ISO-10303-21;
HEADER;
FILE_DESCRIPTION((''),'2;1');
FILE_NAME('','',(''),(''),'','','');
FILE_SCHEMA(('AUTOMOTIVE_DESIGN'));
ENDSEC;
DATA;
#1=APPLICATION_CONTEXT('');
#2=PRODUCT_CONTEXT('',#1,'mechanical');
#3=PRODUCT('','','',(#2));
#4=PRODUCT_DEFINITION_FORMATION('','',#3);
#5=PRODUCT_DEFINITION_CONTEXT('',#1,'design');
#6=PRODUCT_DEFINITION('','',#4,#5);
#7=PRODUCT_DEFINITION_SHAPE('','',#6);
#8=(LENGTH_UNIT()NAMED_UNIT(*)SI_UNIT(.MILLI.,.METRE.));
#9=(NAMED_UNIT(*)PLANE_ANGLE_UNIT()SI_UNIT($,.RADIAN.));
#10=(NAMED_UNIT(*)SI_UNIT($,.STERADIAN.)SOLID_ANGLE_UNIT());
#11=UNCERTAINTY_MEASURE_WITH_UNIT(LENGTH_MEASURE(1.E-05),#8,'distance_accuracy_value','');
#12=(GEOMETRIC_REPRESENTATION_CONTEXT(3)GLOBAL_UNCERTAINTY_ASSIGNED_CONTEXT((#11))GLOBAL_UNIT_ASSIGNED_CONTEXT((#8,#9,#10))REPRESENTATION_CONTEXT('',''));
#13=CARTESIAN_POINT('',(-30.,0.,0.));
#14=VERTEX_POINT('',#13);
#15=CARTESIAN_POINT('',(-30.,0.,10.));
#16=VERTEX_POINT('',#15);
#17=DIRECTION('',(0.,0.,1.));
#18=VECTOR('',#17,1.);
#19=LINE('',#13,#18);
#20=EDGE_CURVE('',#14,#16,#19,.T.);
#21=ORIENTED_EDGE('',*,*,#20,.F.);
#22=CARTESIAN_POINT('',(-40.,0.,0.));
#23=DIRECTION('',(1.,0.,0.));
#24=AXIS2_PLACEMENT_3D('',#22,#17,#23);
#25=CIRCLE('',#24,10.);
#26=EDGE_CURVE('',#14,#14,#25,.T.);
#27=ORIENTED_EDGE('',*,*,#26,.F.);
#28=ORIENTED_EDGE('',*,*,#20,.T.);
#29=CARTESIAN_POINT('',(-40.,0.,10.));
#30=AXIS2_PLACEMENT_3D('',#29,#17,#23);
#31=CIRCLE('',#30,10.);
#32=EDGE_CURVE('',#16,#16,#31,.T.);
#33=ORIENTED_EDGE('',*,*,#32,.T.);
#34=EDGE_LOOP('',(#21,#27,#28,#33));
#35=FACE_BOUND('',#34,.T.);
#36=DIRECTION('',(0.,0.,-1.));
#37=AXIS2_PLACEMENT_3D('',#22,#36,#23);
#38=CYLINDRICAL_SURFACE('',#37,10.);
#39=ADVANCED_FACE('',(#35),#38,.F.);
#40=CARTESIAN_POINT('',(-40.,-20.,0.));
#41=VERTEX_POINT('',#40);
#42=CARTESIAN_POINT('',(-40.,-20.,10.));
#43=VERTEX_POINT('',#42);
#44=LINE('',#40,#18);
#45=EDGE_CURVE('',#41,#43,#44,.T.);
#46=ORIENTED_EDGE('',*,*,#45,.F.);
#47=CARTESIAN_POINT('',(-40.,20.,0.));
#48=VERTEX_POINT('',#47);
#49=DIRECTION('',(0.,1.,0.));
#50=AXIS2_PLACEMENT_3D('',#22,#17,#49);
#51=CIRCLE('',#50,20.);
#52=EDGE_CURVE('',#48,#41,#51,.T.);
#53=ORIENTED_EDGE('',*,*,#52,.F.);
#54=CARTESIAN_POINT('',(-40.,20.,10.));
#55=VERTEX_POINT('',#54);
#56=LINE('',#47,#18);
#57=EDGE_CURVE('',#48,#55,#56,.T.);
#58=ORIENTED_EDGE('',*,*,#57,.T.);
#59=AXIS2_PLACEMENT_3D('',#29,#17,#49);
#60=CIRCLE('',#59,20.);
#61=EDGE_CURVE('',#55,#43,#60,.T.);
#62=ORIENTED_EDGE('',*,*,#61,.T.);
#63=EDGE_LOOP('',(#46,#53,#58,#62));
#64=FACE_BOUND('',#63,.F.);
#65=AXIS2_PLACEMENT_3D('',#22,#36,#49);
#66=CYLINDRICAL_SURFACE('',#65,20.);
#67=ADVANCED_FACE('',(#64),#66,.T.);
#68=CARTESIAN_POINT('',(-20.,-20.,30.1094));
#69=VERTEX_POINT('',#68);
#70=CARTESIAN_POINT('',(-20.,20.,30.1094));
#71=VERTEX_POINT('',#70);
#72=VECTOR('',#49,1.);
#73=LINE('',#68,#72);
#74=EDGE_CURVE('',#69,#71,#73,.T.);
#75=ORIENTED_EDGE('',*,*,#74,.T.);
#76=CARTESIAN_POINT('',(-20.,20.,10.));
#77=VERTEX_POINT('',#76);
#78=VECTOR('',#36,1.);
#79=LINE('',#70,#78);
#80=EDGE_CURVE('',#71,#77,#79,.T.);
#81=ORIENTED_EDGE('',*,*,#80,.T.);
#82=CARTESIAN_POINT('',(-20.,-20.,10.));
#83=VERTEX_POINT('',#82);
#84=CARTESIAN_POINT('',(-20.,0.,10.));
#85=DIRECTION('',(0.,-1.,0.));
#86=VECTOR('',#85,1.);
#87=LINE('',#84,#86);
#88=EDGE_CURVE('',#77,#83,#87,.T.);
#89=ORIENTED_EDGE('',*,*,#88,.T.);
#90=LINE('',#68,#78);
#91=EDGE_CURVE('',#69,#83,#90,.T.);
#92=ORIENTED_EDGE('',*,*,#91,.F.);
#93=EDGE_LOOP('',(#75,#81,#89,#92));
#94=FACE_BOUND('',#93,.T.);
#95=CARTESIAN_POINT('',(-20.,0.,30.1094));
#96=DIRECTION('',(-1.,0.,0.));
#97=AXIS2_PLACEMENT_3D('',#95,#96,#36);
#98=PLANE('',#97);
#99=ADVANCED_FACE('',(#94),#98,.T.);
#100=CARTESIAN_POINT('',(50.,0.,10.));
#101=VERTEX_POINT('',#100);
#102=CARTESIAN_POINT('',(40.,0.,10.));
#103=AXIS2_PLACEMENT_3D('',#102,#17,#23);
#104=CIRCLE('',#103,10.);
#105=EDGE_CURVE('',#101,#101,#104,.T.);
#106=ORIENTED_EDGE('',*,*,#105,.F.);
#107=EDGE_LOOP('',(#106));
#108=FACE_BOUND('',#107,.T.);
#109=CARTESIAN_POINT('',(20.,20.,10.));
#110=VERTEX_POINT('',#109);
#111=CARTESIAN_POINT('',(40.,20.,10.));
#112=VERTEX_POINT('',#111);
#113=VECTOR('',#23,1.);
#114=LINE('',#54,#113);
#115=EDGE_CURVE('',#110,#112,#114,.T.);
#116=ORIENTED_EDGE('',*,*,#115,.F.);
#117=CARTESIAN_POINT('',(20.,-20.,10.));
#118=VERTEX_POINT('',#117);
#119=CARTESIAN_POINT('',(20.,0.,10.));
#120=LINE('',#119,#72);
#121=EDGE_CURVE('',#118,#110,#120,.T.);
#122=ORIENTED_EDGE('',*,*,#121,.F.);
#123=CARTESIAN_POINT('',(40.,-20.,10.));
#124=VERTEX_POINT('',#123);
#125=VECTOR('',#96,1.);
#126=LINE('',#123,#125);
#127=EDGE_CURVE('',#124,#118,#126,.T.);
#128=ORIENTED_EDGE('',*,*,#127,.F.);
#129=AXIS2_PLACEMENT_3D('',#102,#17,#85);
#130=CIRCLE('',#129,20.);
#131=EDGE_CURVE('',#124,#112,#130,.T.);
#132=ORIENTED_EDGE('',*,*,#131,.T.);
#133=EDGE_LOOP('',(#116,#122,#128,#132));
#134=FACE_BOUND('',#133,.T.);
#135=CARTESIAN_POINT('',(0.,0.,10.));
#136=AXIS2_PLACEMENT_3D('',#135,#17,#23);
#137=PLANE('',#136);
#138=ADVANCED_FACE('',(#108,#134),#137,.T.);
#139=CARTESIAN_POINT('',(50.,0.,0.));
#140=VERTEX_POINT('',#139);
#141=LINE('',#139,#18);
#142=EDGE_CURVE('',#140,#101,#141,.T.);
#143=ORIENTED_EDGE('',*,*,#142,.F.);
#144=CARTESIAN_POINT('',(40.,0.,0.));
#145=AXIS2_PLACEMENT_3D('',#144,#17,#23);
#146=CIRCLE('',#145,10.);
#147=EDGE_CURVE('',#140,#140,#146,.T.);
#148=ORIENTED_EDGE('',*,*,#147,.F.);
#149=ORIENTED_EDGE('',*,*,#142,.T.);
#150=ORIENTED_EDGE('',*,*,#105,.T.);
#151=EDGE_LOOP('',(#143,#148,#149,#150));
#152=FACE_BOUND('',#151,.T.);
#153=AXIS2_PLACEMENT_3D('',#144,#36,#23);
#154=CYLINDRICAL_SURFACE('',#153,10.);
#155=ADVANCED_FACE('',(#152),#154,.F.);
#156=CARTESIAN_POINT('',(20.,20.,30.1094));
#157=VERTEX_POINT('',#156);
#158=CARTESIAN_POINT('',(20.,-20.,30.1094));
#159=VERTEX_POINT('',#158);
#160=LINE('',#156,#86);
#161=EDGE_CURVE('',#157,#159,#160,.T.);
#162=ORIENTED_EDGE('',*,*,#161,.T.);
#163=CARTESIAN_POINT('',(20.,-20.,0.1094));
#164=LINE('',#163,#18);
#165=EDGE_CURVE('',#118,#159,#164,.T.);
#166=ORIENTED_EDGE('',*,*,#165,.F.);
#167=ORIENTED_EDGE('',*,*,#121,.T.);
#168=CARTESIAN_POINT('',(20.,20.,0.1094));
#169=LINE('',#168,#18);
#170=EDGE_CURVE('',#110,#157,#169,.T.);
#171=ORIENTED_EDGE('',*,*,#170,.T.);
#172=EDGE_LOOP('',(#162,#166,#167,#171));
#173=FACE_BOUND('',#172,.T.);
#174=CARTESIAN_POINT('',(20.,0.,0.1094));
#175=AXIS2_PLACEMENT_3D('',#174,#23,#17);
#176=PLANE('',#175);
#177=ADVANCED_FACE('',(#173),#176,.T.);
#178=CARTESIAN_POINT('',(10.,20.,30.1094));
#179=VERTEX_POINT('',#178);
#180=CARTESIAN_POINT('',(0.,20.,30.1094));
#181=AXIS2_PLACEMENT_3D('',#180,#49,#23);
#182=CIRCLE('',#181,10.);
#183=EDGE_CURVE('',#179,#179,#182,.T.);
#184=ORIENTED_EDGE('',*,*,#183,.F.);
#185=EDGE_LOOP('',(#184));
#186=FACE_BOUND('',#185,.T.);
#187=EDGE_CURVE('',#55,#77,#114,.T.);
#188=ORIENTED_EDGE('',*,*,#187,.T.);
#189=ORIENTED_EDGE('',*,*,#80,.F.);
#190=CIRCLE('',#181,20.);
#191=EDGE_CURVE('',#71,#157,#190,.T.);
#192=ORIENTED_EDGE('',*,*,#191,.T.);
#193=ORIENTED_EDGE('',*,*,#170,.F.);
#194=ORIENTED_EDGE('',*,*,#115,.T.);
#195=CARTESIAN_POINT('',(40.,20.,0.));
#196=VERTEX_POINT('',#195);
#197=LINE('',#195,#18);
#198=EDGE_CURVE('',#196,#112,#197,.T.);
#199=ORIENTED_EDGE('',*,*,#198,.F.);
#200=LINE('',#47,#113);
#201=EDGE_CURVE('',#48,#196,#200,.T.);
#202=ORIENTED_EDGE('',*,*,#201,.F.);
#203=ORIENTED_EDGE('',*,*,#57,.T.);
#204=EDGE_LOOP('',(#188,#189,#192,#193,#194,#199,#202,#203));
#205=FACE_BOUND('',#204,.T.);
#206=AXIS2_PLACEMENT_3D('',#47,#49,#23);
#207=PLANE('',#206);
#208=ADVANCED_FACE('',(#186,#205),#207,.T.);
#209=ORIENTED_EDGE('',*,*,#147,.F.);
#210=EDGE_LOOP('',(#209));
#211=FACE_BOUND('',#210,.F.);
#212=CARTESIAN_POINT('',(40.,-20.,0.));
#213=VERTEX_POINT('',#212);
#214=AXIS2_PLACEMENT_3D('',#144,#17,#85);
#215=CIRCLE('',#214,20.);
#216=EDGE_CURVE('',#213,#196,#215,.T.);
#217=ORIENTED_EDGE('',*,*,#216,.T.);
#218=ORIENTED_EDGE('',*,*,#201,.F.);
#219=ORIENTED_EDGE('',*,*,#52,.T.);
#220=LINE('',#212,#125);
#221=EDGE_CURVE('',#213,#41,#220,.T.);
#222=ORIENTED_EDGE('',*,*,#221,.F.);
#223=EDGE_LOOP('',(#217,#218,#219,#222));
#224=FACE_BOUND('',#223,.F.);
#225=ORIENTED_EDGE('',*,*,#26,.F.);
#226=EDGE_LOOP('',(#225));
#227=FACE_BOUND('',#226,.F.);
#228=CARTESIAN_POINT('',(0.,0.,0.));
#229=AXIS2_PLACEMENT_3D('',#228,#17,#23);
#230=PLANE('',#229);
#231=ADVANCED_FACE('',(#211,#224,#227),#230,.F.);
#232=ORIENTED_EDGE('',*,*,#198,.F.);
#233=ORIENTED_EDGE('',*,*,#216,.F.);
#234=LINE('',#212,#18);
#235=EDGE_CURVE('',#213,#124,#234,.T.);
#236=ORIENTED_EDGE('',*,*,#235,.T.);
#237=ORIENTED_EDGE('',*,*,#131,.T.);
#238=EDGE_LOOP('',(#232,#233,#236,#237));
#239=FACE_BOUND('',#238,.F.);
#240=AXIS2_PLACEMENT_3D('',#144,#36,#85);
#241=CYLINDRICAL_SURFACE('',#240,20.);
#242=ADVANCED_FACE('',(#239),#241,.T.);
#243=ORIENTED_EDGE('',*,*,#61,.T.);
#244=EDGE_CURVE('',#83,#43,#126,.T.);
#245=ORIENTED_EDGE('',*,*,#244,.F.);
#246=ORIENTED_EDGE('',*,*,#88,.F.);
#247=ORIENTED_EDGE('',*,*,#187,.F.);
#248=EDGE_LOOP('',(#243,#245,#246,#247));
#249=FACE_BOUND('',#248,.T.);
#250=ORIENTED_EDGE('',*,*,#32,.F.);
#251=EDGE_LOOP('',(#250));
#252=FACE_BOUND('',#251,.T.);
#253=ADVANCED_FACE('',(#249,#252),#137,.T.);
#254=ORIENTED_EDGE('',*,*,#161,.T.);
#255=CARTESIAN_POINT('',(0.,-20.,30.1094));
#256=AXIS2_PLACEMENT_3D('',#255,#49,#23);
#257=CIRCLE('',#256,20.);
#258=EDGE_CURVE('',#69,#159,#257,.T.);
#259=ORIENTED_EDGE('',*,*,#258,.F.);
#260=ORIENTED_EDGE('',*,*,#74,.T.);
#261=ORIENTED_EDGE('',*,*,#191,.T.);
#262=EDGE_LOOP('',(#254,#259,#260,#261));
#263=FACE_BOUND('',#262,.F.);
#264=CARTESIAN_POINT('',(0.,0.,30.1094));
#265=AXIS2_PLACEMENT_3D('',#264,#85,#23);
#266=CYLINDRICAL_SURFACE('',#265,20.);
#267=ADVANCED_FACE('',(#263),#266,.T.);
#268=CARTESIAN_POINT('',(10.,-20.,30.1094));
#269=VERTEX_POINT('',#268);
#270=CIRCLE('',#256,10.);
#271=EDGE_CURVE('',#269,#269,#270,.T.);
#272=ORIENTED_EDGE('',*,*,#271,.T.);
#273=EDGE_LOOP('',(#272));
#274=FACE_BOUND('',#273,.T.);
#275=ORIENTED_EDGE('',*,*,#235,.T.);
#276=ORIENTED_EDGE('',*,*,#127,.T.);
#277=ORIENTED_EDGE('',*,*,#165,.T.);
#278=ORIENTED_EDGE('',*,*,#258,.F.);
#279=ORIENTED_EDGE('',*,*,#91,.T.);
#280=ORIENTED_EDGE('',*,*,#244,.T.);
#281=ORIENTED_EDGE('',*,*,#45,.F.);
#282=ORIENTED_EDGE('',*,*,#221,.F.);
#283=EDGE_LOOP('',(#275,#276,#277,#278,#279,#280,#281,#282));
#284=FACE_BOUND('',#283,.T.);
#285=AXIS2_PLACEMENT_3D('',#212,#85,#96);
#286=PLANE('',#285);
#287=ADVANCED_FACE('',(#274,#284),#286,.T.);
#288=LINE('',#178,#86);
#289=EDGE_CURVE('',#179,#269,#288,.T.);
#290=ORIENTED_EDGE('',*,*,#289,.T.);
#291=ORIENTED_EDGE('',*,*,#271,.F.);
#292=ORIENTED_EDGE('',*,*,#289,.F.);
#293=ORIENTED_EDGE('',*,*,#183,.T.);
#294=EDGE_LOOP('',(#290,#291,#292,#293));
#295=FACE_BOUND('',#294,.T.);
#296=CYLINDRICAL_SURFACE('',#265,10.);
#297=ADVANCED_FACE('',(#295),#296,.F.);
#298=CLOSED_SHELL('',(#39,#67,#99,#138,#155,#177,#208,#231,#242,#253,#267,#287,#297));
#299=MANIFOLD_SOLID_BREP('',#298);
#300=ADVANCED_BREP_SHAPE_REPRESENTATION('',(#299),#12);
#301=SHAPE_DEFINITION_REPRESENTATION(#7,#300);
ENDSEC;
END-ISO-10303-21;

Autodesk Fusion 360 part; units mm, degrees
sketch "Sketch1" plane through (0, 0, 0) normal (0, 0, 1) x (1, 0, 0)
  line L0 (40, -20) -> (-40, -20)
  line L1 (-40, 20) -> (40, 20)
  circle A0 centre (40, 0) radius 10
  circle A1 centre (-40, 0) radius 10
  arc A2 (40, -20) -> (40, 20) centre (40, 0) ccw
  arc A3 (-40, 20) -> (-40, -20) centre (-40, 0) ccw
  dimension "d1" = 80
  dimension "d2" = 40
extrude "Extrude1" add sketch "Sketch1" along normal blind 10
sketch "Sketch2" plane through (0, 0, 0) normal (0, 1, 0) x (1, 0, 0)
  line L0 (-20, -0.1094) -> (20, -0.1094)
  line L1 (20, -0.1094) -> (20, -30.1094)
  line L2 (-20, -30.1094) -> (-20, -0.1094)
  line L3 (-40, 0) -> (-40, -10)
  circle A0 centre (0, -30.1094) radius 20
  circle A1 centre (0, -30.1094) radius 10
  dimension "d9" = 40
  dimension "d10" = 30
  dimension "d11" = 20
  dimension "d12" = 40
  dimension "d13" = 20
extrude "Extrude2" add sketch "Sketch2" along normal mid plane 40
